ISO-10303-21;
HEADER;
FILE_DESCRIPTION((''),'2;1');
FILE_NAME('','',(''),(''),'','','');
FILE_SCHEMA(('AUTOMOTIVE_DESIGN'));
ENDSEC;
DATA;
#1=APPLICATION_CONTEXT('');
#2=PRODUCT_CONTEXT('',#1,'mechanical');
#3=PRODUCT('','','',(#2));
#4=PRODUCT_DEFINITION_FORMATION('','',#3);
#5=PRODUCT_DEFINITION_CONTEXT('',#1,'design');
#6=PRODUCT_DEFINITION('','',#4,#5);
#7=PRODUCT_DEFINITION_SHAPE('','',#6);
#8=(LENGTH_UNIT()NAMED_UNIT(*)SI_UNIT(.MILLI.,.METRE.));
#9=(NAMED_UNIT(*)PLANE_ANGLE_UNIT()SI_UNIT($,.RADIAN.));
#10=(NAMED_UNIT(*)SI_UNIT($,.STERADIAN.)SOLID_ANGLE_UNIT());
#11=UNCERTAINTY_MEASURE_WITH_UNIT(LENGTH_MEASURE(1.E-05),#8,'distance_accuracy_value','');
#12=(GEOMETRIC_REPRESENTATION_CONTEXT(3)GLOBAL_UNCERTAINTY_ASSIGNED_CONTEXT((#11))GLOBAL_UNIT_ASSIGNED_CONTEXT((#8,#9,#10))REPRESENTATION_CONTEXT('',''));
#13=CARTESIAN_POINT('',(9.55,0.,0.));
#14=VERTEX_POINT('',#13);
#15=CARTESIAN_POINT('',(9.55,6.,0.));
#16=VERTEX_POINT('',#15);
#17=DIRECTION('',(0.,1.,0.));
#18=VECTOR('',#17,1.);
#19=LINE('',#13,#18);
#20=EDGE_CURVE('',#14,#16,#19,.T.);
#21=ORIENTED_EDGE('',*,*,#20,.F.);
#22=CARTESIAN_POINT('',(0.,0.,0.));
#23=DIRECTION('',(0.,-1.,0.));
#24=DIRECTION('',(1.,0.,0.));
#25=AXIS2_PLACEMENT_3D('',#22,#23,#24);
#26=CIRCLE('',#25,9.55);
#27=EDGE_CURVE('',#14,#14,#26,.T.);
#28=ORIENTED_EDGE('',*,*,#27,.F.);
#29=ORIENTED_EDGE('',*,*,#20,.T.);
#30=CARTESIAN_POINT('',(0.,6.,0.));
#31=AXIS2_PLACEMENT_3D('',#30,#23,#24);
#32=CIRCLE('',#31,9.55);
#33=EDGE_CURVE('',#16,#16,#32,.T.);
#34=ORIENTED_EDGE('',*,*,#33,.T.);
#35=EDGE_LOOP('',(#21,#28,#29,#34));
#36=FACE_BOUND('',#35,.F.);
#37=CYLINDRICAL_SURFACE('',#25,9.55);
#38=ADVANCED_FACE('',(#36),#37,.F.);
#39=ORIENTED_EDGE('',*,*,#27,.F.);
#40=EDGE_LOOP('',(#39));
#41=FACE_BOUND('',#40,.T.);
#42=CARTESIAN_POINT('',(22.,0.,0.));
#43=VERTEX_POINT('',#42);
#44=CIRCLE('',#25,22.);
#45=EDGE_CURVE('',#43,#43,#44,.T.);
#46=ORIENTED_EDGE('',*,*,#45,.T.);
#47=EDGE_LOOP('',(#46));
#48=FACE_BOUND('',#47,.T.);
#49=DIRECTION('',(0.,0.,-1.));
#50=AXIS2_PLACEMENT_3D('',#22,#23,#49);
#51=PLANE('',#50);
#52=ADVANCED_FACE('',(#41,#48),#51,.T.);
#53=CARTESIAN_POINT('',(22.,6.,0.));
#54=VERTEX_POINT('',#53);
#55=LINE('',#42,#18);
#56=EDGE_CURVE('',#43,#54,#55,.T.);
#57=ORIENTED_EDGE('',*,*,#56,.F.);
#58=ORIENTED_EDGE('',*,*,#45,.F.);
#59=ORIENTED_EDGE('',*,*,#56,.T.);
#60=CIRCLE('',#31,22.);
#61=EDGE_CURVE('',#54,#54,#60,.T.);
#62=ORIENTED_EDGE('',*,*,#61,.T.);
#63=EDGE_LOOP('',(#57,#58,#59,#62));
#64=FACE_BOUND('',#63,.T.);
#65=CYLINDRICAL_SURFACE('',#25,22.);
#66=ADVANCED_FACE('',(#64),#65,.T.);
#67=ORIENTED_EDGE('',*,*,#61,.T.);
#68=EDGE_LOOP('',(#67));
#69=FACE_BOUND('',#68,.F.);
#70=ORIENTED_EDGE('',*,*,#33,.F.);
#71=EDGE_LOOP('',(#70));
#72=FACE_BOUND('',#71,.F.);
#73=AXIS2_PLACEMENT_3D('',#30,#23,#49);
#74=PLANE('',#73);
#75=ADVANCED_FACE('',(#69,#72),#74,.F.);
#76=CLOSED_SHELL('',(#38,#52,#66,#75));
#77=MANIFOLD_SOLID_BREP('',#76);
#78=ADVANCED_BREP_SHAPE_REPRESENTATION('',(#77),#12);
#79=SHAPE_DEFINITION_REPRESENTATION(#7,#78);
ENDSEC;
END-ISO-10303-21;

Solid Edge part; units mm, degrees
sketch "Sketch1" plane through (0, 0, 0) normal (0, -1, 0) x (1, 0, 0)
  circle A0 centre (0, 0) radius 22
  circle A1 centre (0, 0) radius 9.55
  dimension "D1" = 44
  dimension "D2" = 19.1
extrude "Protrusion1" add sketch "Sketch1" against normal blind 6
properties material "PLA"
